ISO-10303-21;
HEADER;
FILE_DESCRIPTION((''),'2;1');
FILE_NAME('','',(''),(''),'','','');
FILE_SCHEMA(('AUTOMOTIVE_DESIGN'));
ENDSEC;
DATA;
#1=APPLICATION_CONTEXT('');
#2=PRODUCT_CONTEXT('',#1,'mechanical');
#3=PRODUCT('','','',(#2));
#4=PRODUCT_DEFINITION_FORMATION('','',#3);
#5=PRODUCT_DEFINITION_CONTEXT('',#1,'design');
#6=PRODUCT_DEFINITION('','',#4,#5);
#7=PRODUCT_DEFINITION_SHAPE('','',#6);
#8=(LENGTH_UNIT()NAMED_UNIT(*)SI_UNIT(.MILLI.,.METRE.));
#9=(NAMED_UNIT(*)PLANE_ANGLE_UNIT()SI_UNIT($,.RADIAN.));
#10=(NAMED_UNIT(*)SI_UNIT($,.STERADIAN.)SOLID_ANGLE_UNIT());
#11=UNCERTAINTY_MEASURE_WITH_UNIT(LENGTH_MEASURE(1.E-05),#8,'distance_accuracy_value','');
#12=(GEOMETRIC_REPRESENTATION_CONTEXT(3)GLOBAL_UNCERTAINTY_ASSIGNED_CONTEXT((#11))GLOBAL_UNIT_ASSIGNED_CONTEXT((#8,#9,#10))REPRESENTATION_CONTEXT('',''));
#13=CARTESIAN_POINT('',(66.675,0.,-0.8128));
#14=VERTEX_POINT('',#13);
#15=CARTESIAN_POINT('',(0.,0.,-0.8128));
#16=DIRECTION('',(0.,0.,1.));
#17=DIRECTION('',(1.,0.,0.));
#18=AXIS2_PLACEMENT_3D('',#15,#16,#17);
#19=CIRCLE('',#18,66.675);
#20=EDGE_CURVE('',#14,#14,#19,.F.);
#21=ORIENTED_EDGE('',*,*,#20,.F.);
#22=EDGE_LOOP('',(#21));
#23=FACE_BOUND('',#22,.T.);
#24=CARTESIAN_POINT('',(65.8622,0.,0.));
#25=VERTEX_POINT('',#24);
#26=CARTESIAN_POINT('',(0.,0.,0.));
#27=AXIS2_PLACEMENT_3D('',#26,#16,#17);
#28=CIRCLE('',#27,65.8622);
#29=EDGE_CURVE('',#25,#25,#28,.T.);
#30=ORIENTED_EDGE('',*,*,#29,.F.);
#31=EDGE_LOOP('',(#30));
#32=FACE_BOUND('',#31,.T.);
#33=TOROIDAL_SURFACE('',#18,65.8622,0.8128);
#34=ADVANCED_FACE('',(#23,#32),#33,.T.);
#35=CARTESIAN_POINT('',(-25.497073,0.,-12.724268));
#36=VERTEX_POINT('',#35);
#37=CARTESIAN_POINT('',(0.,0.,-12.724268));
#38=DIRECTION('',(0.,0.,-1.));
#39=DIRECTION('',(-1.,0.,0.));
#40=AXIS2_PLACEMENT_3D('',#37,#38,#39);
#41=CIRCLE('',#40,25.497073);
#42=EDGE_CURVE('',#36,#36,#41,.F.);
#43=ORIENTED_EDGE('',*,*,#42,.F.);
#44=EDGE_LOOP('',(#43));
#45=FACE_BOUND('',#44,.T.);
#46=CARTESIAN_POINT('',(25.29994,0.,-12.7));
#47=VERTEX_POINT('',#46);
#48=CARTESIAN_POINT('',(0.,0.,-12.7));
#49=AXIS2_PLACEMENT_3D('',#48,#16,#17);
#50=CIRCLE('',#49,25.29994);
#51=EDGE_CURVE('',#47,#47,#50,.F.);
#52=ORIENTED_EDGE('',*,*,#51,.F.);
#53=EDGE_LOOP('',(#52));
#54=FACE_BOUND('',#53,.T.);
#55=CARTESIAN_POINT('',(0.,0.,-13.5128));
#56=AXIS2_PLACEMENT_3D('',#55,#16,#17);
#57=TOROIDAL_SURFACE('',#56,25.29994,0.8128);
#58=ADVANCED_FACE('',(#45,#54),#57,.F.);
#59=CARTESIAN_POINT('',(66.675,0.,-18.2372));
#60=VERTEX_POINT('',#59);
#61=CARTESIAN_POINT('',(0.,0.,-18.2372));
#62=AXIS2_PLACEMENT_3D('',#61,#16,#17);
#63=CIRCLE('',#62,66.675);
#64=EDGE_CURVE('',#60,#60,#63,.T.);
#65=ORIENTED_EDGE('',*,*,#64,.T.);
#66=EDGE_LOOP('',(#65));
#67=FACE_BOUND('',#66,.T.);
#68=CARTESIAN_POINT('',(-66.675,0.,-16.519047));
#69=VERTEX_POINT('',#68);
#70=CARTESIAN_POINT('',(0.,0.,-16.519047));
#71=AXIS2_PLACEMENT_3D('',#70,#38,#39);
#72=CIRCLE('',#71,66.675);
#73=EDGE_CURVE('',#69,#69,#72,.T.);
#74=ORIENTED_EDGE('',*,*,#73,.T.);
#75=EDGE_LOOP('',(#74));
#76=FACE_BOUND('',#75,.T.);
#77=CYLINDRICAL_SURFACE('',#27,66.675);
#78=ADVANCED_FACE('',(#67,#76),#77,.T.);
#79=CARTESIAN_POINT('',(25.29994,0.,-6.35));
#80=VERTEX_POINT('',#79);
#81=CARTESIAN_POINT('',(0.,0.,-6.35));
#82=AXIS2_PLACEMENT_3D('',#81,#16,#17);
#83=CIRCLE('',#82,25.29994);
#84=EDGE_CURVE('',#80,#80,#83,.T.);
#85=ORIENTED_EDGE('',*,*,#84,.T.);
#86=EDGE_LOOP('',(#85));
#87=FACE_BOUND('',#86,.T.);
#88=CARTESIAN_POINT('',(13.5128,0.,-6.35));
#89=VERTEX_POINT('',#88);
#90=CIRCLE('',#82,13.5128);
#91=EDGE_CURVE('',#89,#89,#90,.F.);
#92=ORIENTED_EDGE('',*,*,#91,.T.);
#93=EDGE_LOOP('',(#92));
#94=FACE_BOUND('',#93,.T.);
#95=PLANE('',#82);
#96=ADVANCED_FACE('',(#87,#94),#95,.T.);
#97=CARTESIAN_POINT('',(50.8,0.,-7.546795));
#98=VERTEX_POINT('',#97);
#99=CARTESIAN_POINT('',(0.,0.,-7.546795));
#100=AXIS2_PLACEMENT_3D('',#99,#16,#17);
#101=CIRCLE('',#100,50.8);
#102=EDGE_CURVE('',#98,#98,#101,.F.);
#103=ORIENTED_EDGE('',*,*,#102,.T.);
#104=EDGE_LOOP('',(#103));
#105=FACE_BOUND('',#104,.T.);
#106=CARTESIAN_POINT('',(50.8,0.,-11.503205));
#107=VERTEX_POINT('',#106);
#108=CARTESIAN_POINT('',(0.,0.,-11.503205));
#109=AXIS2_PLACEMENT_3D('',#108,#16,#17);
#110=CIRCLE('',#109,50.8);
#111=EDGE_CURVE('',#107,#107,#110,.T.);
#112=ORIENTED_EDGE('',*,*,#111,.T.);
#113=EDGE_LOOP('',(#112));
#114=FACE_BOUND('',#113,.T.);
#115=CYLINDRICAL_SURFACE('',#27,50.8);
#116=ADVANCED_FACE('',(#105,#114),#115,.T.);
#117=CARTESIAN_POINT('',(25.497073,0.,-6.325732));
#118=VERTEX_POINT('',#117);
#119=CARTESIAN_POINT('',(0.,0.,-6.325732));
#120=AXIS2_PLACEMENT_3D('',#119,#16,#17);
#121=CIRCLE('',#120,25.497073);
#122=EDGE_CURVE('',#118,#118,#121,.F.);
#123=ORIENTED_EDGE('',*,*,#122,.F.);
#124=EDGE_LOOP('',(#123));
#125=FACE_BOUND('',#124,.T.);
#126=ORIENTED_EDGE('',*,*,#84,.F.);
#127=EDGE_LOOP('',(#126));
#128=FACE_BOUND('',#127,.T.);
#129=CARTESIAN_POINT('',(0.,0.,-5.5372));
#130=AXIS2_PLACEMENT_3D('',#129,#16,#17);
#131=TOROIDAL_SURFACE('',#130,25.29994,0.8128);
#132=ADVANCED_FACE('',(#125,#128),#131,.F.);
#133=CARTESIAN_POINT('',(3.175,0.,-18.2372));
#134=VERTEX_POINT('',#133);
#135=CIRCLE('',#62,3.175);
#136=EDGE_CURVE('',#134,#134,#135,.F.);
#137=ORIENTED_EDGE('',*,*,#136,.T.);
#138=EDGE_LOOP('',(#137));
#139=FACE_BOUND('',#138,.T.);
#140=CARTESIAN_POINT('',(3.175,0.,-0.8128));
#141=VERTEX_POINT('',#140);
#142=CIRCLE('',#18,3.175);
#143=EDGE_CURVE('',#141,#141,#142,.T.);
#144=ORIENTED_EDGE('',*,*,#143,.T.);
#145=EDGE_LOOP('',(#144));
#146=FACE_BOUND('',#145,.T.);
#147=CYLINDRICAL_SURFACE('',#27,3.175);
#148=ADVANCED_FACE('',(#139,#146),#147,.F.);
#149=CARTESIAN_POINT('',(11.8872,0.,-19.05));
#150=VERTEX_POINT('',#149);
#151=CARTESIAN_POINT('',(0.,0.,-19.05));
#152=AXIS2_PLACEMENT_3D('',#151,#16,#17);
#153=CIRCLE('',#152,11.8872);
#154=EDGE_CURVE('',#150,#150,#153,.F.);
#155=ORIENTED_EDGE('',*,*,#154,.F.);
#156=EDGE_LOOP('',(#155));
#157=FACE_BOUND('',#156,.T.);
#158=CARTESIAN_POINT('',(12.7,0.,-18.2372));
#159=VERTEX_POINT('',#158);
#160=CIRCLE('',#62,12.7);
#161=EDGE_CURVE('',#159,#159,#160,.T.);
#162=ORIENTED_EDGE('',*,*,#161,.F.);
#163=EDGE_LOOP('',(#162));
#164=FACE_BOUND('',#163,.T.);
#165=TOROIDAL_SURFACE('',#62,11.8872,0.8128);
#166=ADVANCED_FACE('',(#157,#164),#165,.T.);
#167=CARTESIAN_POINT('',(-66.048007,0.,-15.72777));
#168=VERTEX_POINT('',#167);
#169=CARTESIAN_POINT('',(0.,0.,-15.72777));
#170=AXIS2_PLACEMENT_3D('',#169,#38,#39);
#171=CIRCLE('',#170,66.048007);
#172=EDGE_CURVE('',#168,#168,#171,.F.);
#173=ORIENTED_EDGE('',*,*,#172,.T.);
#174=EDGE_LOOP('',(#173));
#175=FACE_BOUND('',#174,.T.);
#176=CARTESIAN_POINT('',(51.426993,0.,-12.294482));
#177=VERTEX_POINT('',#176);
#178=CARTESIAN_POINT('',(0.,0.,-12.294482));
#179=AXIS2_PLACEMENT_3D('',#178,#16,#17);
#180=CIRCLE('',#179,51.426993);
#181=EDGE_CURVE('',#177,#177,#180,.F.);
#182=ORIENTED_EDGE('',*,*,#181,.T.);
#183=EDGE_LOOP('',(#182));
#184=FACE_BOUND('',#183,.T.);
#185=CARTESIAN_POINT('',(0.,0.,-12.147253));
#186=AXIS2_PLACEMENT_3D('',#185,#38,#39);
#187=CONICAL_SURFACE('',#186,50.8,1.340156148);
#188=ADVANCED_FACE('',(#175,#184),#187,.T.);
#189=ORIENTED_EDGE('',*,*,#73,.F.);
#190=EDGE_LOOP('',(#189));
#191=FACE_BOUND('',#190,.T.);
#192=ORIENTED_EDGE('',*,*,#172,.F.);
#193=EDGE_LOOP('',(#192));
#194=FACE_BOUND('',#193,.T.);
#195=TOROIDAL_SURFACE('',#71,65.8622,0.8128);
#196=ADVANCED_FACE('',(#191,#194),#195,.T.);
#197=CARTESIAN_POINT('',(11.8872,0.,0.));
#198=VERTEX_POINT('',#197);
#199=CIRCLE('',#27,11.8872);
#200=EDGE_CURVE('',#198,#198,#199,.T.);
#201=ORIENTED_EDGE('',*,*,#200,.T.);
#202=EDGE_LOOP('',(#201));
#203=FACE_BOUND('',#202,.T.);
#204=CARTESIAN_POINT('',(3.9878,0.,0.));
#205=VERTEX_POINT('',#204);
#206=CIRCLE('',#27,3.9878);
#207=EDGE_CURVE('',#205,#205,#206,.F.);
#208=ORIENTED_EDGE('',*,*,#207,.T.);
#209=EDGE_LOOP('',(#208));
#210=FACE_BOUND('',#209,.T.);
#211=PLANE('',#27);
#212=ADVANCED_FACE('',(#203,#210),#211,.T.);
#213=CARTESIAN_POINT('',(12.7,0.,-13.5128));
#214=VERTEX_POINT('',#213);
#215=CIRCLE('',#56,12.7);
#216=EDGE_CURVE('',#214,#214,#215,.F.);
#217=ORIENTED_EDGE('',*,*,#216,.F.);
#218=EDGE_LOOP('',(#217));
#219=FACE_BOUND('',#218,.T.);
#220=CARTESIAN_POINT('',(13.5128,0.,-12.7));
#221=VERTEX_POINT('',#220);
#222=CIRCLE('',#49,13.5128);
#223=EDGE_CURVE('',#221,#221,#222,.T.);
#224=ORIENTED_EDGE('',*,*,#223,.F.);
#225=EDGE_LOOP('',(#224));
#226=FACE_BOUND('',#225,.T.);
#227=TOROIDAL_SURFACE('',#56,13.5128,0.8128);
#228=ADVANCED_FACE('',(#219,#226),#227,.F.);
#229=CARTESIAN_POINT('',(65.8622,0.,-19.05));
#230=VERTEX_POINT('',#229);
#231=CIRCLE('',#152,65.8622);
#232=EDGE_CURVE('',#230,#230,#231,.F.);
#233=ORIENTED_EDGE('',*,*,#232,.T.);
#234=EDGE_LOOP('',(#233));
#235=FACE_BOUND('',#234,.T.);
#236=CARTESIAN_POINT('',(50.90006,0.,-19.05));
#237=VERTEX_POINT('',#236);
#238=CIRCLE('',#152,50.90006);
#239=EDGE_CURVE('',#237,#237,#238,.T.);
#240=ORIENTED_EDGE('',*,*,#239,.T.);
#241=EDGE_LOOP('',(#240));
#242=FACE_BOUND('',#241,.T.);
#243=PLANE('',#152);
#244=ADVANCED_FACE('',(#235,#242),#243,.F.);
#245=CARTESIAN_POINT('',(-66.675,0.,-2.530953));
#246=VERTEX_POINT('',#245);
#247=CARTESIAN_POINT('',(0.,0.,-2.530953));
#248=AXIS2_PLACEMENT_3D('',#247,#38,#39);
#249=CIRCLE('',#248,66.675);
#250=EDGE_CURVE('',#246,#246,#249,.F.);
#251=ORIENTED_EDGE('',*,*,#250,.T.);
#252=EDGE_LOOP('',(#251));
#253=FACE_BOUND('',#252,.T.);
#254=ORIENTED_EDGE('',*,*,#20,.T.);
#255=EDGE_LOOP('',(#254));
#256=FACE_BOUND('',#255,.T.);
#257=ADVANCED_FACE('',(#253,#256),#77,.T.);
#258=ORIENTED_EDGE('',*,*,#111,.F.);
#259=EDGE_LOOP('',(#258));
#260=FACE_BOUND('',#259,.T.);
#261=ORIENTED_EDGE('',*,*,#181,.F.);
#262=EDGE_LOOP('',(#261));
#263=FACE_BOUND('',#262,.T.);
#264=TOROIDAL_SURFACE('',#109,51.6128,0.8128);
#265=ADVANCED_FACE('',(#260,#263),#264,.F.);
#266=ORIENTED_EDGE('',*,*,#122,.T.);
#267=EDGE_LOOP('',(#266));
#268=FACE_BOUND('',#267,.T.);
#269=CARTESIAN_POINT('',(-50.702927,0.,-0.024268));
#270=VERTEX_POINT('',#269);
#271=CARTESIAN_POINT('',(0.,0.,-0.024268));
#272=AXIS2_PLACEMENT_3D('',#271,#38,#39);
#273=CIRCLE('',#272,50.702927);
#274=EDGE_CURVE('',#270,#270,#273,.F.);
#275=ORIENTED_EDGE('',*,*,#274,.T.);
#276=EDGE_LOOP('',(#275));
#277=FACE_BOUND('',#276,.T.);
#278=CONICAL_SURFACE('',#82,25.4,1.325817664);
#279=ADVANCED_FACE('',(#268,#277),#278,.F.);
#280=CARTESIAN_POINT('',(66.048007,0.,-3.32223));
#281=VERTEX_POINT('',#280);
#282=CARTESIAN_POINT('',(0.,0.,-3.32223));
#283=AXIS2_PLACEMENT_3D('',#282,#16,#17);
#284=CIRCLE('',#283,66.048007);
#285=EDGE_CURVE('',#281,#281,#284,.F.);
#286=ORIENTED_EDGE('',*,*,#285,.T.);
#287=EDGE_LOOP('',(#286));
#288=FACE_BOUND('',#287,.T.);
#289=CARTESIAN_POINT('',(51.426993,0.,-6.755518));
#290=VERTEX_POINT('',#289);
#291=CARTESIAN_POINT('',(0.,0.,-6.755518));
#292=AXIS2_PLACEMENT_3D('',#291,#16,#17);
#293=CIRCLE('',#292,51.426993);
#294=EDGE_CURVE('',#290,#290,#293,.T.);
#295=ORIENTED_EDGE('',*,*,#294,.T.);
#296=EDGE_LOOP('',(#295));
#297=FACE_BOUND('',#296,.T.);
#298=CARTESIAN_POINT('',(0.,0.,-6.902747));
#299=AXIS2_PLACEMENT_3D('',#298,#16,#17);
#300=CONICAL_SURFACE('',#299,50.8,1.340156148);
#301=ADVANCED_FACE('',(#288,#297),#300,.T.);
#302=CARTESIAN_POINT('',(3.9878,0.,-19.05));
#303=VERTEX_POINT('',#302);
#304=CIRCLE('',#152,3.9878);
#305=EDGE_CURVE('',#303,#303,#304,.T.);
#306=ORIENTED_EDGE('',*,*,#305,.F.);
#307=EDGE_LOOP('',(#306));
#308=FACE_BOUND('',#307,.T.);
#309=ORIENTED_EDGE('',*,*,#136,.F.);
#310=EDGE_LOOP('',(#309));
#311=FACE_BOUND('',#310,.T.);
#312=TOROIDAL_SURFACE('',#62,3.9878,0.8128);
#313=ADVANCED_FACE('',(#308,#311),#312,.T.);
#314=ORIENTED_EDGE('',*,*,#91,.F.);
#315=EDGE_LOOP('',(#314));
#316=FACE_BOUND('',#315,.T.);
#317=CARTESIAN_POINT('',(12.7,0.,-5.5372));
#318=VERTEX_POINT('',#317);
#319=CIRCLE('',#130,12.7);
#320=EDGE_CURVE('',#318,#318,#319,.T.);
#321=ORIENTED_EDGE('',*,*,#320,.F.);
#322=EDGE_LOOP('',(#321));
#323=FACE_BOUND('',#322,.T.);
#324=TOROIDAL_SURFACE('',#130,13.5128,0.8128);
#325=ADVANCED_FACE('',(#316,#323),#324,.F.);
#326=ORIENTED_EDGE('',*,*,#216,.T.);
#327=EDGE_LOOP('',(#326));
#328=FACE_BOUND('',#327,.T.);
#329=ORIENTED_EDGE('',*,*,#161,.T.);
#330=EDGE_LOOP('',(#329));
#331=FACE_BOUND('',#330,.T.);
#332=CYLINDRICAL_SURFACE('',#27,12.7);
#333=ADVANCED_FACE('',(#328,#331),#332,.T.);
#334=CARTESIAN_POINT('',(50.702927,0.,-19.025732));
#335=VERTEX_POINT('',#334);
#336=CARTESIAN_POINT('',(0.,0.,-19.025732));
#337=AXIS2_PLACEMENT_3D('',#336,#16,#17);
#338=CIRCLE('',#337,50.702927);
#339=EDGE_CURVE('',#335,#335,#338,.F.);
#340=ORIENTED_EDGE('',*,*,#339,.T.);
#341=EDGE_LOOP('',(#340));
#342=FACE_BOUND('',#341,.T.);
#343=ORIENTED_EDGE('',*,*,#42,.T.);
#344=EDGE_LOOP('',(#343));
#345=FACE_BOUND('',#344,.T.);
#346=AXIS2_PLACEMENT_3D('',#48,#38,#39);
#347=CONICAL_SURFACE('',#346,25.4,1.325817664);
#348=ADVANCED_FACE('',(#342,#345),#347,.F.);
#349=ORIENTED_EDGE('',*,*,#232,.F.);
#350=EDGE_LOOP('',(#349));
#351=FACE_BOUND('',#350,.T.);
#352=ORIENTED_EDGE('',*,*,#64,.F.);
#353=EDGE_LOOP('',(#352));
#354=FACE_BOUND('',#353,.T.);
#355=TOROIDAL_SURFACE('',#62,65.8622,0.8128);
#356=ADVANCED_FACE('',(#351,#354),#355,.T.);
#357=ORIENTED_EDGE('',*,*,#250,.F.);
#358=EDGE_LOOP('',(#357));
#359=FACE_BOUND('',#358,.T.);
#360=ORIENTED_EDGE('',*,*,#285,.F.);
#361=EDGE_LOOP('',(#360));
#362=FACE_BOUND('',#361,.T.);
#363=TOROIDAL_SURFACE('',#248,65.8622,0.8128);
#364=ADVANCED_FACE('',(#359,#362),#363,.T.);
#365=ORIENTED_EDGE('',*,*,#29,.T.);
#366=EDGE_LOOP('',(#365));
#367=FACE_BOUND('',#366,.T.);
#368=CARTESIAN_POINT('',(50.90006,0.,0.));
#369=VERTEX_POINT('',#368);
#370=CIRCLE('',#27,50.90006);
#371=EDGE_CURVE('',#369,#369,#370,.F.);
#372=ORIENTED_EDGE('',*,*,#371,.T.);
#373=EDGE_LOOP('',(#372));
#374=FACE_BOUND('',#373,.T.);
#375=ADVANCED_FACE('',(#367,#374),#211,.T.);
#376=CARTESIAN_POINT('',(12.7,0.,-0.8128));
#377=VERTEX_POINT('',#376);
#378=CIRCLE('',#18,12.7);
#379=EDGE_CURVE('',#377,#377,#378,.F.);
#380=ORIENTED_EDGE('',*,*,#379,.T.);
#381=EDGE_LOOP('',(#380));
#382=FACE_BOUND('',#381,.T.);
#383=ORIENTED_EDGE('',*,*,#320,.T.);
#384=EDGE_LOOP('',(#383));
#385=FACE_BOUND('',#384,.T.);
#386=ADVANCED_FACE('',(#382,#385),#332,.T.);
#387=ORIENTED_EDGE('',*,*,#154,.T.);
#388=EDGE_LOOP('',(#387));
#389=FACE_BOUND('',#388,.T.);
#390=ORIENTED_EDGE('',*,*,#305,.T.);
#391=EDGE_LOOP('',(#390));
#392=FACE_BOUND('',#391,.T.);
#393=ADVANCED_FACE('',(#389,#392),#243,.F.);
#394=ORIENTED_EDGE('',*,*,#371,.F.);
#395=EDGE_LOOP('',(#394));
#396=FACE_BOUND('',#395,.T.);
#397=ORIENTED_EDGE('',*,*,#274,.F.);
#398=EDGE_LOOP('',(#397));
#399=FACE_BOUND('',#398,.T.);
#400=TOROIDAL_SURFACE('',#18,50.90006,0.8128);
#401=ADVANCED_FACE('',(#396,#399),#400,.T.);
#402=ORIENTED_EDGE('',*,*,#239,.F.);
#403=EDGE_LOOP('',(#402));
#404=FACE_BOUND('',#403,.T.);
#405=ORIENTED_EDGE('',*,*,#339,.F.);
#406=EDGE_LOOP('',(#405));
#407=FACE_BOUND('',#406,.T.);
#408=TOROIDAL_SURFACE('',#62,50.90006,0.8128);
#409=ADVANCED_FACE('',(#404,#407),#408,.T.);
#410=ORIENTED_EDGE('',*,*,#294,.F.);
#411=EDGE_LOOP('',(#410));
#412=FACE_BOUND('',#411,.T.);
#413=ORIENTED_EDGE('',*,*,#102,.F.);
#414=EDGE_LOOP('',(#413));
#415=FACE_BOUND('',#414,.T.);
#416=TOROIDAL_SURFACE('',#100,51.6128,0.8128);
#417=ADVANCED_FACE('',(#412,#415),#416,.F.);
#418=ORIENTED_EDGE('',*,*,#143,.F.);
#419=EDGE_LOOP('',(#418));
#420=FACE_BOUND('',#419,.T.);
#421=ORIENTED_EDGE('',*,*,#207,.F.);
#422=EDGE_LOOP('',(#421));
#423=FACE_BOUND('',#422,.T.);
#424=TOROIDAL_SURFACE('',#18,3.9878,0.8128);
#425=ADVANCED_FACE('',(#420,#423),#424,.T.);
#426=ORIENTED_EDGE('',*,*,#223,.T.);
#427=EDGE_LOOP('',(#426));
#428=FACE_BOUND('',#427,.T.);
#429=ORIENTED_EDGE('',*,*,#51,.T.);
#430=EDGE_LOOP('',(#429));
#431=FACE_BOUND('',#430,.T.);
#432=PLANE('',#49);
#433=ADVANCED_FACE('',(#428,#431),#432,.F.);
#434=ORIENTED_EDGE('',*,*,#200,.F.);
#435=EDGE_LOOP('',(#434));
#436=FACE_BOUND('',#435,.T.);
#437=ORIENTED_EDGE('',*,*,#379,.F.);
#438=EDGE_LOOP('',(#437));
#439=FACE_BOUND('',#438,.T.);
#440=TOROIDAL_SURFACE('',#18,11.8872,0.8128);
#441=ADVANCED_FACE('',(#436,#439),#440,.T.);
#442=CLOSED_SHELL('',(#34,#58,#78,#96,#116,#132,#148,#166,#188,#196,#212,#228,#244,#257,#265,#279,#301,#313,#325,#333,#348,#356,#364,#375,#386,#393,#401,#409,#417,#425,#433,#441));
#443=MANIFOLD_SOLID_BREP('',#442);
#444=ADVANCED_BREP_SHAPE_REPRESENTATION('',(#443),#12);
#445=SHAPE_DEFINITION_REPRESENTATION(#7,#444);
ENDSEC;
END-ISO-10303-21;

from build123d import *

# Parameters (mm, degrees)
FILLET3_R = 0.8128


with BuildPart() as part:
    # Sketch1 → Revolve8 (revolve)
    with BuildSketch(Plane(origin=(0, 0, 0), x_dir=(1, 0, 0), z_dir=(0, 1, 0))):
        Polygon((3.175, 19.05), (3.175, 0), (12.7, 0), (12.7, 6.35), (25.4, 6.35), (50.8, 0), (66.675, 0), (66.675, 3.175), (50.8, 6.902747475), (50.8, 12.147252525), (66.675, 15.875), (66.675, 19.05), (50.8, 19.05), (25.4, 12.7), (12.7, 12.7), (12.7, 19.05), align=None)
    revolve(axis=Axis((0, 0, 0), (0, 0, -1)))

    # Fillet3
    fillet3_edges = [part.edges().sort_by_distance(p)[0] for p in [
        (-50.8, 0, -19.05),
        (-66.675, 0, -19.05),
        (-66.675, 0, -15.875),
        (-50.8, 0, -12.147252525),
        (-50.8, 0, -6.902747475),
        (-66.675, 0, -3.175),
        (-66.675, 0, 0),
        (-50.8, 0, 0),
        (-25.4, 0, -6.35),
        (-12.7, 0, -6.35),
        (-12.7, 0, 0),
        (-3.175, 0, 0),
        (-3.175, 0, -19.05),
        (-12.7, 0, -19.05),
        (-12.7, 0, -12.7),
        (-25.4, 0, -12.7),
    ]]
    fillet(fillet3_edges, radius=FILLET3_R)


solid = part.part
